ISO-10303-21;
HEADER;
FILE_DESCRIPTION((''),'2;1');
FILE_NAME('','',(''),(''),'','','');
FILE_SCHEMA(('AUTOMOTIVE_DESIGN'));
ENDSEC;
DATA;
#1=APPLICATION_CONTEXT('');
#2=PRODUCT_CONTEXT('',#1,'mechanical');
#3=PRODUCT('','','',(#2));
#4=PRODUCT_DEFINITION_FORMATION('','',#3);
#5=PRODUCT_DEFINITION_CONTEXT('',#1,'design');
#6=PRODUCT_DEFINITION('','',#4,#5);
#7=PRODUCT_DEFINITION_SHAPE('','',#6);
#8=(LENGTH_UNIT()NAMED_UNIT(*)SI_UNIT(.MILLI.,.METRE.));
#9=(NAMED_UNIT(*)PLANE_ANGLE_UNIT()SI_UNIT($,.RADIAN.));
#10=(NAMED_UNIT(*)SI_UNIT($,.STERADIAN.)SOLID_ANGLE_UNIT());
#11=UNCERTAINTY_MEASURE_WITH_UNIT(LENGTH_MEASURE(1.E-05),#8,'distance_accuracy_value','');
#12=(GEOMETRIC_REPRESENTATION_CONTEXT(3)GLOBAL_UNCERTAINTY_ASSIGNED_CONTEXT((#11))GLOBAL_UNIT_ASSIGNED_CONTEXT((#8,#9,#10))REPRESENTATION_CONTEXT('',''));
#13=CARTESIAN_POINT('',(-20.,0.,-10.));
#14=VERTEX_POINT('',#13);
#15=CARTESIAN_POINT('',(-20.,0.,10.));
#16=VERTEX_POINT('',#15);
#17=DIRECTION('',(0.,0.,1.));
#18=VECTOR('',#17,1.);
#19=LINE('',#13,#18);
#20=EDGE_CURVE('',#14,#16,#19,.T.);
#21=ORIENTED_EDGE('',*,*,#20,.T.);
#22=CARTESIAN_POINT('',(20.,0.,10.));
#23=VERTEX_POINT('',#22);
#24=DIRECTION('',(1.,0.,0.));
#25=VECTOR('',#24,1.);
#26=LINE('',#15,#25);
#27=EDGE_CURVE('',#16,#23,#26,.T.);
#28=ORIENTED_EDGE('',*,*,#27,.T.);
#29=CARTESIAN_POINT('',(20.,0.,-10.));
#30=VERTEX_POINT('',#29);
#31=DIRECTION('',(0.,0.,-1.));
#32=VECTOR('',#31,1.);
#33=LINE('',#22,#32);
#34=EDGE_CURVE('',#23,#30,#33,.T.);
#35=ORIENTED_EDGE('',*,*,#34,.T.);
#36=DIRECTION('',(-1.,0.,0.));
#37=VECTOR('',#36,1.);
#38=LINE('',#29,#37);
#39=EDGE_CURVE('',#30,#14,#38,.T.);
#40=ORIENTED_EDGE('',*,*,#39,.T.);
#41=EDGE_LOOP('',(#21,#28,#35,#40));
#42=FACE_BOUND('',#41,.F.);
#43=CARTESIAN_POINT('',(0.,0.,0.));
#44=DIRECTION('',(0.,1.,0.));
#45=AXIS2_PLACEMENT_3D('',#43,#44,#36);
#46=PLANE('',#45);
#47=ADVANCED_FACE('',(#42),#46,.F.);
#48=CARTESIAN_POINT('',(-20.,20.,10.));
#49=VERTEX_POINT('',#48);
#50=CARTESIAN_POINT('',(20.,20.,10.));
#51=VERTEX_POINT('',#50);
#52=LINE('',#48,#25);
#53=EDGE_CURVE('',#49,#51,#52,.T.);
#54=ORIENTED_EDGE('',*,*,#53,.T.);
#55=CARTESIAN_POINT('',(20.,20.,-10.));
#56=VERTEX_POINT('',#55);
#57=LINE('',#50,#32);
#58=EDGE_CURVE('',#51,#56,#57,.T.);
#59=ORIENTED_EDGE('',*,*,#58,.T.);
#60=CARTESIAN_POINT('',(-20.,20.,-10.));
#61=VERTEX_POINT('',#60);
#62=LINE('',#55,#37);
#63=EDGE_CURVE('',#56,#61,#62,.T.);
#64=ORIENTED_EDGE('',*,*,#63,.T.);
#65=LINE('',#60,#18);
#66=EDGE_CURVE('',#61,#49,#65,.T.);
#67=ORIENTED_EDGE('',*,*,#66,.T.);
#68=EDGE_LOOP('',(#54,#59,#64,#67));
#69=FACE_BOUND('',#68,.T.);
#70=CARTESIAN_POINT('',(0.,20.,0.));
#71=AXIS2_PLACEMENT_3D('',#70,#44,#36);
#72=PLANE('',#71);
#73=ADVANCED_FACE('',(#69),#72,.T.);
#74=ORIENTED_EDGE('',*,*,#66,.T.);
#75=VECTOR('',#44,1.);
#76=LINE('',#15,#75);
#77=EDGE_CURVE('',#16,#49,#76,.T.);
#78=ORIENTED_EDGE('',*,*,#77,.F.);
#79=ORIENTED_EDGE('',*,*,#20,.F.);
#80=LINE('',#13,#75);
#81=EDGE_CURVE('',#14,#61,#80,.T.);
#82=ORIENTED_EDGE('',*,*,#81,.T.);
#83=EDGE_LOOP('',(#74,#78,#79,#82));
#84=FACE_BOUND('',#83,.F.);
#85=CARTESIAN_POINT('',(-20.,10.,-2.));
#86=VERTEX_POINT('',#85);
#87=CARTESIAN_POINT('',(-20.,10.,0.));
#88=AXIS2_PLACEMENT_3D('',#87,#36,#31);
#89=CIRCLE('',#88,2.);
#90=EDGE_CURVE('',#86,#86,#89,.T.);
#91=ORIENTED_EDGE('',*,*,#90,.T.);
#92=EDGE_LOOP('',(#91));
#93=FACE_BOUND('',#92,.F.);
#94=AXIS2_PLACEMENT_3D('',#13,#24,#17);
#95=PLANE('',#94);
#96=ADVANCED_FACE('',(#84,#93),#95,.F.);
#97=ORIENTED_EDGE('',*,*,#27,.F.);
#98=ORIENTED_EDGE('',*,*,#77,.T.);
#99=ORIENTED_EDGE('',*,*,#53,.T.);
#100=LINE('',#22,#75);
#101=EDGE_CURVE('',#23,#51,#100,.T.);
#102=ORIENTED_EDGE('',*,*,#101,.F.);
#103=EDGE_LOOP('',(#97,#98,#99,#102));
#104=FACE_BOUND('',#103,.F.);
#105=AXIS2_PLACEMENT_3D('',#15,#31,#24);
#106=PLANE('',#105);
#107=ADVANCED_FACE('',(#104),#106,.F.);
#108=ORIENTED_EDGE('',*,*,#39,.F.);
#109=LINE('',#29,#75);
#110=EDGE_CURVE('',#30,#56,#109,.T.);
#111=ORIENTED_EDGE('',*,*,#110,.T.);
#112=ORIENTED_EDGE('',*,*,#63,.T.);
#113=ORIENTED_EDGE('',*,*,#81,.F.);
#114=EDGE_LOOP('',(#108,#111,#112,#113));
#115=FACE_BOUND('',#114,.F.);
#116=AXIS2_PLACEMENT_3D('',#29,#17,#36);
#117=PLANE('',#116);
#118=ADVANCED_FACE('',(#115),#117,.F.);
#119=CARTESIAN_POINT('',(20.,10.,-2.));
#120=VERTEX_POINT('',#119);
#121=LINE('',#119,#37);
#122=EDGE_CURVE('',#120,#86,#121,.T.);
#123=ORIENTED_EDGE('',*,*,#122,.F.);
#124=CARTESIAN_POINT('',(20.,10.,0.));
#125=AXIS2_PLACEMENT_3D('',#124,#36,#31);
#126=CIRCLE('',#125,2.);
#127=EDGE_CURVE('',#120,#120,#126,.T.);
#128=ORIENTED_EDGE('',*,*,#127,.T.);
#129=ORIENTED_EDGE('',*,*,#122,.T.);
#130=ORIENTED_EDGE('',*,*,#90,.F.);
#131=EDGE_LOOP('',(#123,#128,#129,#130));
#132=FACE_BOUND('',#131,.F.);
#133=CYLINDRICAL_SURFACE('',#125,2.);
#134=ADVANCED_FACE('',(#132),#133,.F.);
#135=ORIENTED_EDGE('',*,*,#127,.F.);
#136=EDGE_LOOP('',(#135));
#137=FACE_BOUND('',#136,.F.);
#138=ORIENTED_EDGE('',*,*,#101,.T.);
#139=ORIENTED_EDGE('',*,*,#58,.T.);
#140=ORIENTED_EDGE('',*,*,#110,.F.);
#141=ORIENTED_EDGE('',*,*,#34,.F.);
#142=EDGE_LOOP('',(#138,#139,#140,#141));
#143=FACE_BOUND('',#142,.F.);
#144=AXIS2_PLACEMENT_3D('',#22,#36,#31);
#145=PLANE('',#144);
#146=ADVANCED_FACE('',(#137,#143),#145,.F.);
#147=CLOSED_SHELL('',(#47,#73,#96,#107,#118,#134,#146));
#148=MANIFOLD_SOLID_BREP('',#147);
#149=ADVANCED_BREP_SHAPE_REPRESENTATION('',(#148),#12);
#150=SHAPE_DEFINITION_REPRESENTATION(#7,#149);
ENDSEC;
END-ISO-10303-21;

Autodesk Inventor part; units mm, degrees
ref_plane "YZ Plane" through (0, 0, 0) normal (1, 0, 0) x (0, 1, 0)
ref_plane "XZ Plane" through (0, 0, 0) normal (0, 1, 0) x (-1, 0, 0)
ref_plane "XY Plane" through (0, 0, 0) normal (0, 0, 1) x (1, 0, 0)
sketch "Skizze1" plane through (0, 0, 0) normal (0, 1, 0) x (-1, 0, 0)
  line L0 (20, 10) -> (-20, 10)
  line L1 (-20, 10) -> (-20, -10)
  line L2 (-20, -10) -> (20, -10)
  line L3 (20, -10) -> (20, 10)
  line L4 (20, 10) -> (-20, -10) construction
  line L5 (-20, 10) -> (20, -10) construction
  point P0 (0, 0)
  dimension "d0" = 40
  dimension "d1" = 20
extrude "Extrusion1" add sketch "Skizze1" along normal blind 20
sketch "Skizze2" plane through (20, 0, 10) normal (1, 0, 0) x (0, 0, -1)
  circle A0 centre (10, 10) radius 2.5
  line L0 (0, 20) -> (20, 20) projected
  line L1 (0, 0) -> (20, 0) projected
  line L2 (20, 0) -> (20, 20) projected
  line L3 (0, 0) -> (0, 20) projected
  point P0 (10, 0)
  dimension "d4" = 5
  dimension "d5" = 10
  dimension "d6" = 10
  dimension "d7" = 10
  dimension "d8" = 10
hole "Bohrung1" at (20, 10, 0) direction (-1, 0, 0) diameter 4 end through all
equation "\"d5\" = d6"
equation "\"d7\" = d8"
properties part number "Z-Joint"
